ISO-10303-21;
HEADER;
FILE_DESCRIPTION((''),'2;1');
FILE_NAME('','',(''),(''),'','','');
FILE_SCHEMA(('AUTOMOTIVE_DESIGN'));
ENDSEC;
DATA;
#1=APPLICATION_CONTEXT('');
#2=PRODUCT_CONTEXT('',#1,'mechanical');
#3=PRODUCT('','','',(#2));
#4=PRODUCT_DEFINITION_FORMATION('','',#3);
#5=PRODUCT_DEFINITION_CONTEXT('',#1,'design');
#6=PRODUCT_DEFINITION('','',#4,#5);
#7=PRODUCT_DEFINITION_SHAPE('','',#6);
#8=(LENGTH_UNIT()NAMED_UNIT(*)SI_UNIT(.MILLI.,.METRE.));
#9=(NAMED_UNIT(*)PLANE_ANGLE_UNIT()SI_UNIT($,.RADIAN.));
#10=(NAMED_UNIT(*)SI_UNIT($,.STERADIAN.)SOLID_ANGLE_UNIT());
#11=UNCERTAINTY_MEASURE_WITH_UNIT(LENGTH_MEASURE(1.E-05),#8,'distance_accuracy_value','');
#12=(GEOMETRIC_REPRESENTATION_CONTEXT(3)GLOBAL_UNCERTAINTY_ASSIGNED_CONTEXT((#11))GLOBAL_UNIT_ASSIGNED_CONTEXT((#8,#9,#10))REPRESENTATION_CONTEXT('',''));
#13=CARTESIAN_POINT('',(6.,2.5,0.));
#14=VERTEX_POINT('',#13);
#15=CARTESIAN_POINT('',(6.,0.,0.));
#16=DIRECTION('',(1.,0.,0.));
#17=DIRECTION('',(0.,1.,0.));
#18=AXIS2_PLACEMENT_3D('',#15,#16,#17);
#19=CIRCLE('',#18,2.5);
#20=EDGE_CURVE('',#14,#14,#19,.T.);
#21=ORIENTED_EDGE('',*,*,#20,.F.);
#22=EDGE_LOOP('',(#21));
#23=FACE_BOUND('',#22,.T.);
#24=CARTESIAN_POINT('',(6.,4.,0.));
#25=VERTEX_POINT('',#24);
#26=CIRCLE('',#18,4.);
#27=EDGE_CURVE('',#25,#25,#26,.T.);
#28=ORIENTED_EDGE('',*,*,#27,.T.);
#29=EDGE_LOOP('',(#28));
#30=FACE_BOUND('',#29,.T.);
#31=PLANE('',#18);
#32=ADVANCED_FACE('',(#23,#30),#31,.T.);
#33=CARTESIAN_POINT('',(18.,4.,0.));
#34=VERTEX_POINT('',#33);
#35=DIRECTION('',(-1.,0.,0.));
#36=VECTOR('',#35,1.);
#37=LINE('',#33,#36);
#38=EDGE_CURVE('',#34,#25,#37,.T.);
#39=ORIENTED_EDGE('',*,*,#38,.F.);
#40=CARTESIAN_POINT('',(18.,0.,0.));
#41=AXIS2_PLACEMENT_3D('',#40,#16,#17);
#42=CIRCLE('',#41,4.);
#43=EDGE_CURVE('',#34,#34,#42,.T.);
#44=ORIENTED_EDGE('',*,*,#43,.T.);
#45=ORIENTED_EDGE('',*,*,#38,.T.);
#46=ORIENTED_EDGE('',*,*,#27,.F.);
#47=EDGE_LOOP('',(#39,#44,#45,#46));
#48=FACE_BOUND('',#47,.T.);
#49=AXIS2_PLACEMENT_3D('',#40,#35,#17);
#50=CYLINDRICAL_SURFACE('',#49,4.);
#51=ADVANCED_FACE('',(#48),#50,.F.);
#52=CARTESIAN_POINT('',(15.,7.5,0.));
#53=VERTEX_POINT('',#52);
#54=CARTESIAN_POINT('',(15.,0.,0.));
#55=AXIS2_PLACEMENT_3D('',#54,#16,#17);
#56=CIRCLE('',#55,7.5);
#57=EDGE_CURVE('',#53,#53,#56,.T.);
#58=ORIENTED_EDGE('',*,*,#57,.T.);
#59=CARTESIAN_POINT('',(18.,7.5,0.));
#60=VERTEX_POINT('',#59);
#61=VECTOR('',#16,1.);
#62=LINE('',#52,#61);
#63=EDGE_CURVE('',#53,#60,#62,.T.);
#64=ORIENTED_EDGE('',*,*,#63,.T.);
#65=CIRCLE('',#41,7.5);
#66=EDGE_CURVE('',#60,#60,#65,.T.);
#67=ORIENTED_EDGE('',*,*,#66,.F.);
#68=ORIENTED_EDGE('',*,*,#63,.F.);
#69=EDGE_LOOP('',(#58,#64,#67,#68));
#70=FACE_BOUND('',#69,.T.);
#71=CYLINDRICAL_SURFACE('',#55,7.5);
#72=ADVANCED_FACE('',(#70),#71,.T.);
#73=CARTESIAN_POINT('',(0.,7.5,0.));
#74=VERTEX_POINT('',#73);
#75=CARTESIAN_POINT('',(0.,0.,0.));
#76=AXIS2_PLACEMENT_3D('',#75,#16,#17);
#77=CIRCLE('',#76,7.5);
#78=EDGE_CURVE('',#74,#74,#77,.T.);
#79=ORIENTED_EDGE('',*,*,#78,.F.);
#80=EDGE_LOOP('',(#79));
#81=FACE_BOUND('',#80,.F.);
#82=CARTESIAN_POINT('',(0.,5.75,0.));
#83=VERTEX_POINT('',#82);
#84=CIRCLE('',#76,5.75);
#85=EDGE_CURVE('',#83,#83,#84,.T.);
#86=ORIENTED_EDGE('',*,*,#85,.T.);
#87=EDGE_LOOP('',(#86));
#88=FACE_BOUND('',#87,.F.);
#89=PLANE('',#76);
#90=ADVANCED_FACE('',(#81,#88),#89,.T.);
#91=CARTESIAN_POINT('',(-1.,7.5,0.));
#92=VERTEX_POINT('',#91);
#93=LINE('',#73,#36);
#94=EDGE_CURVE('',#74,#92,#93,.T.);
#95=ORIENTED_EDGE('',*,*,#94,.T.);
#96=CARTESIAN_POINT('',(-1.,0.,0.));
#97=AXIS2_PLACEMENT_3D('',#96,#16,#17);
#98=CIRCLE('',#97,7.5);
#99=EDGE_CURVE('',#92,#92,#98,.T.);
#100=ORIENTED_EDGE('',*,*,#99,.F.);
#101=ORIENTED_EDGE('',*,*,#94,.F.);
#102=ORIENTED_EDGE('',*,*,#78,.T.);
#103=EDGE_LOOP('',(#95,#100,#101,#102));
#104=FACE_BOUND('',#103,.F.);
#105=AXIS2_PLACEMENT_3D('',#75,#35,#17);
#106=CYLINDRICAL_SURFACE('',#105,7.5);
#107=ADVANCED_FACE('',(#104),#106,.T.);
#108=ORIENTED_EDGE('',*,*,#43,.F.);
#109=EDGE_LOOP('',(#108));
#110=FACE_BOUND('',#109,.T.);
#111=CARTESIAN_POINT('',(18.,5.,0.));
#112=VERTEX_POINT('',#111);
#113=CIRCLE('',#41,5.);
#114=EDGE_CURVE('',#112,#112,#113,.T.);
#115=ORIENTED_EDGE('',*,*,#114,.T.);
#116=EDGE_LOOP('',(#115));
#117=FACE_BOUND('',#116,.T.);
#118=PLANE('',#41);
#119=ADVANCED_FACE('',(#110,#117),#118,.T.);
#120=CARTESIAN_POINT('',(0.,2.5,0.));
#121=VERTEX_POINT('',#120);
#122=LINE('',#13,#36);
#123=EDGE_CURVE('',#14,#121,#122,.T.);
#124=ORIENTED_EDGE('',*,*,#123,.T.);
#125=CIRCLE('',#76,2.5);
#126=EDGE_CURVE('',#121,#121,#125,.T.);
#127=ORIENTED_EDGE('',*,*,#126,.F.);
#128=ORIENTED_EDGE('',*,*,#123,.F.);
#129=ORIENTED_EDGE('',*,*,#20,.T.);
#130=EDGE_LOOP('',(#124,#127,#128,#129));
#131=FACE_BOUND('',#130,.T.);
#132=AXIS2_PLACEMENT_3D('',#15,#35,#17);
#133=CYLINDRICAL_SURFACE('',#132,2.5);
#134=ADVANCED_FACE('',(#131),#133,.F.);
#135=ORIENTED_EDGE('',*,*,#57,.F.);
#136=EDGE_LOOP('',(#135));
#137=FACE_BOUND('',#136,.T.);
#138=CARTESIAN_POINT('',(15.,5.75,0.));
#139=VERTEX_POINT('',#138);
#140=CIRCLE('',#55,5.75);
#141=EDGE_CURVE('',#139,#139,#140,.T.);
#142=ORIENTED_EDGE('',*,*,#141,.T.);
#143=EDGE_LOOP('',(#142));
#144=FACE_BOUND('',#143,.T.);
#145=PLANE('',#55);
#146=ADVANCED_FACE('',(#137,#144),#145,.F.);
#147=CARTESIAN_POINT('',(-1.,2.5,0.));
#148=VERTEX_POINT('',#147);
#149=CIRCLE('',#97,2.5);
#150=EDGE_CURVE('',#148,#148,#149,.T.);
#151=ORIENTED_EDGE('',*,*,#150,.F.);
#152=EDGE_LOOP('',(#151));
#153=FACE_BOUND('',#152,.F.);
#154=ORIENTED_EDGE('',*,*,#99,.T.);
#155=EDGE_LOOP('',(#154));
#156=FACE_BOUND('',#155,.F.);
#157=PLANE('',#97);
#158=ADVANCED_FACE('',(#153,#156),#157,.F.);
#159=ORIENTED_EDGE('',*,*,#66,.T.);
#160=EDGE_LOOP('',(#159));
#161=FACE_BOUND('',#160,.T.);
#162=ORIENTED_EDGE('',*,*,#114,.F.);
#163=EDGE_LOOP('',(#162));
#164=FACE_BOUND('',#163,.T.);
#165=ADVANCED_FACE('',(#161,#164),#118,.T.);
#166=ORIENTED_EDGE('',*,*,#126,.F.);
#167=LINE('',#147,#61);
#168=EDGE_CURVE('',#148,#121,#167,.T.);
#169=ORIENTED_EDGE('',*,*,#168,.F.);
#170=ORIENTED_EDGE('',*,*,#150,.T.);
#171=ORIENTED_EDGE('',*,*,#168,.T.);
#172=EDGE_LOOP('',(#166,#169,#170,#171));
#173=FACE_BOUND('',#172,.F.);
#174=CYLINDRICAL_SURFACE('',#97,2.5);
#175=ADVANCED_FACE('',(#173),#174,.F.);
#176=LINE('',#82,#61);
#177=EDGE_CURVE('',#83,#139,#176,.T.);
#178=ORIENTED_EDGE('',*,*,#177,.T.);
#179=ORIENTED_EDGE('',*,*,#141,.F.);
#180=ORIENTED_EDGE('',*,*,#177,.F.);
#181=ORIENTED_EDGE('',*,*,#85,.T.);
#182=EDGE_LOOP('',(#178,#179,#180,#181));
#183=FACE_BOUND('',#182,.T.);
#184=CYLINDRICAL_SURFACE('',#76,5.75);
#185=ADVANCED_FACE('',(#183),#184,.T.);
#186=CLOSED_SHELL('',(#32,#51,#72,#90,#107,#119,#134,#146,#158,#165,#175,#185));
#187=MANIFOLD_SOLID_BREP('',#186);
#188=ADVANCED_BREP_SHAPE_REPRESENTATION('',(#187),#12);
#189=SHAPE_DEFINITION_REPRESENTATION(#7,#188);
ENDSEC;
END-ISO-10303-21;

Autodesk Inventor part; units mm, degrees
ref_plane "YZ Plane" through (0, 0, 0) normal (1, 0, 0) x (0, 1, 0)
ref_plane "XZ Plane" through (0, 0, 0) normal (0, 1, 0) x (-1, 0, 0)
ref_plane "XY Plane" through (0, 0, 0) normal (0, 0, 1) x (1, 0, 0)
sketch "Sketch1" plane through (0, 0, 0) normal (0, 0, 1) x (1, 0, 0)
  line L0 (0, 0) -> (4, 0)
  line L1 (0, 0) -> (0, 2.5)
  line L2 (0, 5.75) -> (15, 5.75)
  line L3 (15, 5.75) -> (15, 7.5)
  line L4 (18, 5) -> (18, 4)
  line L5 (18, 4) -> (6, 4)
  line L6 (6, 4) -> (6, 2.5)
  line L7 (6, 2.5) -> (0, 2.5)
  line L8 (0, 5.75) -> (0, 7.5)
  line L9 (0, 7.5) -> (-1, 7.5)
  line L10 (-1, 7.5) -> (-1, 2.5)
  line L11 (-1, 2.5) -> (0, 2.5)
  line L12 (15, 7.5) -> (18, 7.5)
  line L13 (18, 7.5) -> (18, 5)
  dimension "d0" = 4
  dimension "d1" = 5.75
  dimension "d2" = 15
  dimension "d3" = 1.75
  dimension "d7" = 1
  dimension "d8" = 12
  dimension "d9" = 1.5
  dimension "d11" = 1
revolve "Revolution1" add sketch "Sketch1" angle 360 about axis through (0, 0, 0) along (1, 0, 0)
properties part number "pignon 12 dents"
